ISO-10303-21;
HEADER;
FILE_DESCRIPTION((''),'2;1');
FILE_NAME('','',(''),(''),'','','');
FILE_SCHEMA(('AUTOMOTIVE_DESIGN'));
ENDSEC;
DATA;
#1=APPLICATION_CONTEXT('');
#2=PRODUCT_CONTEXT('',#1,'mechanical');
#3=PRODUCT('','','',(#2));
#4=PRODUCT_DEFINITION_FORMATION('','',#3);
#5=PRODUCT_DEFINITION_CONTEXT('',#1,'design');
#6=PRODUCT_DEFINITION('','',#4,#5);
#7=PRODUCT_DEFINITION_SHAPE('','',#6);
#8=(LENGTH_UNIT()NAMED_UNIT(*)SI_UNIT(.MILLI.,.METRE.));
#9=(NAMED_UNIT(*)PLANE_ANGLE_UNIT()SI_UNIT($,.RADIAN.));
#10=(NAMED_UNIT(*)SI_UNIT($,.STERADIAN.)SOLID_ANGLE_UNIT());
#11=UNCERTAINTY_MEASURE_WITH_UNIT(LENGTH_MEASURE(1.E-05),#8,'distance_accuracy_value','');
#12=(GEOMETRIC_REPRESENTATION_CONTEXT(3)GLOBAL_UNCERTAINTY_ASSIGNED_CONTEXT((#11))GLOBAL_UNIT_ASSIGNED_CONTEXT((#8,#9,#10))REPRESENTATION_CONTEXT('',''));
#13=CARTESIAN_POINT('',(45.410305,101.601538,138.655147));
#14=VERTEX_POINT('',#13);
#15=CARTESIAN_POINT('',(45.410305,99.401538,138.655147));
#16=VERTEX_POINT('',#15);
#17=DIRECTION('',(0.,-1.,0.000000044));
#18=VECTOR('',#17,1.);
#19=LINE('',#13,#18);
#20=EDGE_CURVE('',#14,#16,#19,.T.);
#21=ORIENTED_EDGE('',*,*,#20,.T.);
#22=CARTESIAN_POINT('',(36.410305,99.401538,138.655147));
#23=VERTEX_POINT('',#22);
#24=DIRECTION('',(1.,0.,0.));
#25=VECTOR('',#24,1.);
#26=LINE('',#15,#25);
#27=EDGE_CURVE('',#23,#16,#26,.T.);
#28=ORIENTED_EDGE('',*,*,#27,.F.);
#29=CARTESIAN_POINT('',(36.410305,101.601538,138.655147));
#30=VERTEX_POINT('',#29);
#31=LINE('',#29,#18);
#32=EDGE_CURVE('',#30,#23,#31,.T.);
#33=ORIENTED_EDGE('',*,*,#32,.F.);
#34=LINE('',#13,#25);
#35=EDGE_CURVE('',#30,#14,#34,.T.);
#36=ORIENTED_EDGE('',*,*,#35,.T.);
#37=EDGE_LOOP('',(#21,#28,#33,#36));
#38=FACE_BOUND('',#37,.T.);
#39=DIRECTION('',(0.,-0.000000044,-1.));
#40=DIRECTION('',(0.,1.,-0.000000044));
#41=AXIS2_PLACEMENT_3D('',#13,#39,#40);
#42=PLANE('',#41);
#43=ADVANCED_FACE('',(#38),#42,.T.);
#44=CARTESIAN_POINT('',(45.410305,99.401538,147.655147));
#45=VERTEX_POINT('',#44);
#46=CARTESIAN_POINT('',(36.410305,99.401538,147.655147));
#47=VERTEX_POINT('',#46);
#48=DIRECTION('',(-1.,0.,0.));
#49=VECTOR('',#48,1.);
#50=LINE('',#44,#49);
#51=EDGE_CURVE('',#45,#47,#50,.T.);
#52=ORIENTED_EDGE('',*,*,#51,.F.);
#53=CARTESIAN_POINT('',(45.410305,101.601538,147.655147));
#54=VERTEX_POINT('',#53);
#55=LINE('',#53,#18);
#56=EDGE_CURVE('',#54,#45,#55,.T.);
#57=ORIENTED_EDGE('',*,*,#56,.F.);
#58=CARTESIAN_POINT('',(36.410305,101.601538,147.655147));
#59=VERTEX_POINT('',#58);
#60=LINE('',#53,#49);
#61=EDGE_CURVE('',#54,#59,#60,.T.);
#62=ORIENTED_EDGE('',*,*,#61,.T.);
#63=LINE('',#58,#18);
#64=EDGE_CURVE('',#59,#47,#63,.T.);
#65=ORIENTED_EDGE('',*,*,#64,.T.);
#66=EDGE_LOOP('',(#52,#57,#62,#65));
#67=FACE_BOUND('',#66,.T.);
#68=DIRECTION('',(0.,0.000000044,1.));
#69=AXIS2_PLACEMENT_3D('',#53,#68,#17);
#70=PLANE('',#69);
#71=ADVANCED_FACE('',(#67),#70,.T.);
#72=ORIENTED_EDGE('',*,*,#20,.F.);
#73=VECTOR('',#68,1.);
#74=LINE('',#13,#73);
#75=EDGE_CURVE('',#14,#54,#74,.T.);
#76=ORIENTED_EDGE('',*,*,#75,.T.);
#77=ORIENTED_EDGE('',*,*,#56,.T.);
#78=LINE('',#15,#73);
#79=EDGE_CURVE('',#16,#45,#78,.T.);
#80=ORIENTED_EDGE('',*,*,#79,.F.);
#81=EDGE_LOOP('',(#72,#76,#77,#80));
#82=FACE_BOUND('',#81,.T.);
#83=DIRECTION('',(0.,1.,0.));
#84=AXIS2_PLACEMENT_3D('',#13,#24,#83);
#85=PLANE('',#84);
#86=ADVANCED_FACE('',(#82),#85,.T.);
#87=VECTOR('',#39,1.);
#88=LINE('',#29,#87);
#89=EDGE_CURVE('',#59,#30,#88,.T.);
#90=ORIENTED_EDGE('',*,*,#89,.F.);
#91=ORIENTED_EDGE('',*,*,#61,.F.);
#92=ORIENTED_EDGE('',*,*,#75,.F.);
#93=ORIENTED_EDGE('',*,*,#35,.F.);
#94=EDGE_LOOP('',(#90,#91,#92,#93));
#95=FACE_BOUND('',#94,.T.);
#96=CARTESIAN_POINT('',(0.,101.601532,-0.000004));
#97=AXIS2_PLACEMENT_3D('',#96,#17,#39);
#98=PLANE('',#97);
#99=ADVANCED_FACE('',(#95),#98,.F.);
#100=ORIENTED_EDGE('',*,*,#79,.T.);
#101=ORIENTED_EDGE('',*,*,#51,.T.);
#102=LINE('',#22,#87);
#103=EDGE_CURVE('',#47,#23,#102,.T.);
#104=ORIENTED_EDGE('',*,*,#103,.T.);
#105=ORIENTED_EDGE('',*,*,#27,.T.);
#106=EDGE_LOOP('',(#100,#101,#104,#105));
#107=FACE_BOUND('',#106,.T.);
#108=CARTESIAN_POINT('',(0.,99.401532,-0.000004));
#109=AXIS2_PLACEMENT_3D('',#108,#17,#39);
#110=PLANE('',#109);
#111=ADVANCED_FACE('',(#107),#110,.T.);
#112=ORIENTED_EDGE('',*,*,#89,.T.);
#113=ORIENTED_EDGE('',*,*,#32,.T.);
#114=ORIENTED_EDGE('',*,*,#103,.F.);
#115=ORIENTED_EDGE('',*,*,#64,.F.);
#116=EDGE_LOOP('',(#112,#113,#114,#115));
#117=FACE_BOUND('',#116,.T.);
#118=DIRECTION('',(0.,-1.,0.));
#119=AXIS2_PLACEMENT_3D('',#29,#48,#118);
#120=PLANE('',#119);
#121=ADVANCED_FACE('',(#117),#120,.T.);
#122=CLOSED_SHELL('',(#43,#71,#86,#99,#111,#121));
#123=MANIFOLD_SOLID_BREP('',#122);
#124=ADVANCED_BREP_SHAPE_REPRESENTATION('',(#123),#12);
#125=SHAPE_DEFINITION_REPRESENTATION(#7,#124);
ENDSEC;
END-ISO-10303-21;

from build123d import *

# Parameters (mm, degrees)
SKETCH2_W           = 9
SKETCH2_H           = 9
BOSS_EXTRUDE1_DEPTH = 2.2


with BuildPart() as part:
    # Sketch2 → Boss-Extrude1 (new body)
    with BuildSketch(Plane(origin=(0, 99.401531763, -4.345e-06), x_dir=(-1, 0, 0), z_dir=(0, -1, 4.4e-08))):
        with Locations((-40.91030477, -143.155151275)):
            Rectangle(SKETCH2_W, SKETCH2_H)
    extrude(amount=-BOSS_EXTRUDE1_DEPTH)


solid = part.part
